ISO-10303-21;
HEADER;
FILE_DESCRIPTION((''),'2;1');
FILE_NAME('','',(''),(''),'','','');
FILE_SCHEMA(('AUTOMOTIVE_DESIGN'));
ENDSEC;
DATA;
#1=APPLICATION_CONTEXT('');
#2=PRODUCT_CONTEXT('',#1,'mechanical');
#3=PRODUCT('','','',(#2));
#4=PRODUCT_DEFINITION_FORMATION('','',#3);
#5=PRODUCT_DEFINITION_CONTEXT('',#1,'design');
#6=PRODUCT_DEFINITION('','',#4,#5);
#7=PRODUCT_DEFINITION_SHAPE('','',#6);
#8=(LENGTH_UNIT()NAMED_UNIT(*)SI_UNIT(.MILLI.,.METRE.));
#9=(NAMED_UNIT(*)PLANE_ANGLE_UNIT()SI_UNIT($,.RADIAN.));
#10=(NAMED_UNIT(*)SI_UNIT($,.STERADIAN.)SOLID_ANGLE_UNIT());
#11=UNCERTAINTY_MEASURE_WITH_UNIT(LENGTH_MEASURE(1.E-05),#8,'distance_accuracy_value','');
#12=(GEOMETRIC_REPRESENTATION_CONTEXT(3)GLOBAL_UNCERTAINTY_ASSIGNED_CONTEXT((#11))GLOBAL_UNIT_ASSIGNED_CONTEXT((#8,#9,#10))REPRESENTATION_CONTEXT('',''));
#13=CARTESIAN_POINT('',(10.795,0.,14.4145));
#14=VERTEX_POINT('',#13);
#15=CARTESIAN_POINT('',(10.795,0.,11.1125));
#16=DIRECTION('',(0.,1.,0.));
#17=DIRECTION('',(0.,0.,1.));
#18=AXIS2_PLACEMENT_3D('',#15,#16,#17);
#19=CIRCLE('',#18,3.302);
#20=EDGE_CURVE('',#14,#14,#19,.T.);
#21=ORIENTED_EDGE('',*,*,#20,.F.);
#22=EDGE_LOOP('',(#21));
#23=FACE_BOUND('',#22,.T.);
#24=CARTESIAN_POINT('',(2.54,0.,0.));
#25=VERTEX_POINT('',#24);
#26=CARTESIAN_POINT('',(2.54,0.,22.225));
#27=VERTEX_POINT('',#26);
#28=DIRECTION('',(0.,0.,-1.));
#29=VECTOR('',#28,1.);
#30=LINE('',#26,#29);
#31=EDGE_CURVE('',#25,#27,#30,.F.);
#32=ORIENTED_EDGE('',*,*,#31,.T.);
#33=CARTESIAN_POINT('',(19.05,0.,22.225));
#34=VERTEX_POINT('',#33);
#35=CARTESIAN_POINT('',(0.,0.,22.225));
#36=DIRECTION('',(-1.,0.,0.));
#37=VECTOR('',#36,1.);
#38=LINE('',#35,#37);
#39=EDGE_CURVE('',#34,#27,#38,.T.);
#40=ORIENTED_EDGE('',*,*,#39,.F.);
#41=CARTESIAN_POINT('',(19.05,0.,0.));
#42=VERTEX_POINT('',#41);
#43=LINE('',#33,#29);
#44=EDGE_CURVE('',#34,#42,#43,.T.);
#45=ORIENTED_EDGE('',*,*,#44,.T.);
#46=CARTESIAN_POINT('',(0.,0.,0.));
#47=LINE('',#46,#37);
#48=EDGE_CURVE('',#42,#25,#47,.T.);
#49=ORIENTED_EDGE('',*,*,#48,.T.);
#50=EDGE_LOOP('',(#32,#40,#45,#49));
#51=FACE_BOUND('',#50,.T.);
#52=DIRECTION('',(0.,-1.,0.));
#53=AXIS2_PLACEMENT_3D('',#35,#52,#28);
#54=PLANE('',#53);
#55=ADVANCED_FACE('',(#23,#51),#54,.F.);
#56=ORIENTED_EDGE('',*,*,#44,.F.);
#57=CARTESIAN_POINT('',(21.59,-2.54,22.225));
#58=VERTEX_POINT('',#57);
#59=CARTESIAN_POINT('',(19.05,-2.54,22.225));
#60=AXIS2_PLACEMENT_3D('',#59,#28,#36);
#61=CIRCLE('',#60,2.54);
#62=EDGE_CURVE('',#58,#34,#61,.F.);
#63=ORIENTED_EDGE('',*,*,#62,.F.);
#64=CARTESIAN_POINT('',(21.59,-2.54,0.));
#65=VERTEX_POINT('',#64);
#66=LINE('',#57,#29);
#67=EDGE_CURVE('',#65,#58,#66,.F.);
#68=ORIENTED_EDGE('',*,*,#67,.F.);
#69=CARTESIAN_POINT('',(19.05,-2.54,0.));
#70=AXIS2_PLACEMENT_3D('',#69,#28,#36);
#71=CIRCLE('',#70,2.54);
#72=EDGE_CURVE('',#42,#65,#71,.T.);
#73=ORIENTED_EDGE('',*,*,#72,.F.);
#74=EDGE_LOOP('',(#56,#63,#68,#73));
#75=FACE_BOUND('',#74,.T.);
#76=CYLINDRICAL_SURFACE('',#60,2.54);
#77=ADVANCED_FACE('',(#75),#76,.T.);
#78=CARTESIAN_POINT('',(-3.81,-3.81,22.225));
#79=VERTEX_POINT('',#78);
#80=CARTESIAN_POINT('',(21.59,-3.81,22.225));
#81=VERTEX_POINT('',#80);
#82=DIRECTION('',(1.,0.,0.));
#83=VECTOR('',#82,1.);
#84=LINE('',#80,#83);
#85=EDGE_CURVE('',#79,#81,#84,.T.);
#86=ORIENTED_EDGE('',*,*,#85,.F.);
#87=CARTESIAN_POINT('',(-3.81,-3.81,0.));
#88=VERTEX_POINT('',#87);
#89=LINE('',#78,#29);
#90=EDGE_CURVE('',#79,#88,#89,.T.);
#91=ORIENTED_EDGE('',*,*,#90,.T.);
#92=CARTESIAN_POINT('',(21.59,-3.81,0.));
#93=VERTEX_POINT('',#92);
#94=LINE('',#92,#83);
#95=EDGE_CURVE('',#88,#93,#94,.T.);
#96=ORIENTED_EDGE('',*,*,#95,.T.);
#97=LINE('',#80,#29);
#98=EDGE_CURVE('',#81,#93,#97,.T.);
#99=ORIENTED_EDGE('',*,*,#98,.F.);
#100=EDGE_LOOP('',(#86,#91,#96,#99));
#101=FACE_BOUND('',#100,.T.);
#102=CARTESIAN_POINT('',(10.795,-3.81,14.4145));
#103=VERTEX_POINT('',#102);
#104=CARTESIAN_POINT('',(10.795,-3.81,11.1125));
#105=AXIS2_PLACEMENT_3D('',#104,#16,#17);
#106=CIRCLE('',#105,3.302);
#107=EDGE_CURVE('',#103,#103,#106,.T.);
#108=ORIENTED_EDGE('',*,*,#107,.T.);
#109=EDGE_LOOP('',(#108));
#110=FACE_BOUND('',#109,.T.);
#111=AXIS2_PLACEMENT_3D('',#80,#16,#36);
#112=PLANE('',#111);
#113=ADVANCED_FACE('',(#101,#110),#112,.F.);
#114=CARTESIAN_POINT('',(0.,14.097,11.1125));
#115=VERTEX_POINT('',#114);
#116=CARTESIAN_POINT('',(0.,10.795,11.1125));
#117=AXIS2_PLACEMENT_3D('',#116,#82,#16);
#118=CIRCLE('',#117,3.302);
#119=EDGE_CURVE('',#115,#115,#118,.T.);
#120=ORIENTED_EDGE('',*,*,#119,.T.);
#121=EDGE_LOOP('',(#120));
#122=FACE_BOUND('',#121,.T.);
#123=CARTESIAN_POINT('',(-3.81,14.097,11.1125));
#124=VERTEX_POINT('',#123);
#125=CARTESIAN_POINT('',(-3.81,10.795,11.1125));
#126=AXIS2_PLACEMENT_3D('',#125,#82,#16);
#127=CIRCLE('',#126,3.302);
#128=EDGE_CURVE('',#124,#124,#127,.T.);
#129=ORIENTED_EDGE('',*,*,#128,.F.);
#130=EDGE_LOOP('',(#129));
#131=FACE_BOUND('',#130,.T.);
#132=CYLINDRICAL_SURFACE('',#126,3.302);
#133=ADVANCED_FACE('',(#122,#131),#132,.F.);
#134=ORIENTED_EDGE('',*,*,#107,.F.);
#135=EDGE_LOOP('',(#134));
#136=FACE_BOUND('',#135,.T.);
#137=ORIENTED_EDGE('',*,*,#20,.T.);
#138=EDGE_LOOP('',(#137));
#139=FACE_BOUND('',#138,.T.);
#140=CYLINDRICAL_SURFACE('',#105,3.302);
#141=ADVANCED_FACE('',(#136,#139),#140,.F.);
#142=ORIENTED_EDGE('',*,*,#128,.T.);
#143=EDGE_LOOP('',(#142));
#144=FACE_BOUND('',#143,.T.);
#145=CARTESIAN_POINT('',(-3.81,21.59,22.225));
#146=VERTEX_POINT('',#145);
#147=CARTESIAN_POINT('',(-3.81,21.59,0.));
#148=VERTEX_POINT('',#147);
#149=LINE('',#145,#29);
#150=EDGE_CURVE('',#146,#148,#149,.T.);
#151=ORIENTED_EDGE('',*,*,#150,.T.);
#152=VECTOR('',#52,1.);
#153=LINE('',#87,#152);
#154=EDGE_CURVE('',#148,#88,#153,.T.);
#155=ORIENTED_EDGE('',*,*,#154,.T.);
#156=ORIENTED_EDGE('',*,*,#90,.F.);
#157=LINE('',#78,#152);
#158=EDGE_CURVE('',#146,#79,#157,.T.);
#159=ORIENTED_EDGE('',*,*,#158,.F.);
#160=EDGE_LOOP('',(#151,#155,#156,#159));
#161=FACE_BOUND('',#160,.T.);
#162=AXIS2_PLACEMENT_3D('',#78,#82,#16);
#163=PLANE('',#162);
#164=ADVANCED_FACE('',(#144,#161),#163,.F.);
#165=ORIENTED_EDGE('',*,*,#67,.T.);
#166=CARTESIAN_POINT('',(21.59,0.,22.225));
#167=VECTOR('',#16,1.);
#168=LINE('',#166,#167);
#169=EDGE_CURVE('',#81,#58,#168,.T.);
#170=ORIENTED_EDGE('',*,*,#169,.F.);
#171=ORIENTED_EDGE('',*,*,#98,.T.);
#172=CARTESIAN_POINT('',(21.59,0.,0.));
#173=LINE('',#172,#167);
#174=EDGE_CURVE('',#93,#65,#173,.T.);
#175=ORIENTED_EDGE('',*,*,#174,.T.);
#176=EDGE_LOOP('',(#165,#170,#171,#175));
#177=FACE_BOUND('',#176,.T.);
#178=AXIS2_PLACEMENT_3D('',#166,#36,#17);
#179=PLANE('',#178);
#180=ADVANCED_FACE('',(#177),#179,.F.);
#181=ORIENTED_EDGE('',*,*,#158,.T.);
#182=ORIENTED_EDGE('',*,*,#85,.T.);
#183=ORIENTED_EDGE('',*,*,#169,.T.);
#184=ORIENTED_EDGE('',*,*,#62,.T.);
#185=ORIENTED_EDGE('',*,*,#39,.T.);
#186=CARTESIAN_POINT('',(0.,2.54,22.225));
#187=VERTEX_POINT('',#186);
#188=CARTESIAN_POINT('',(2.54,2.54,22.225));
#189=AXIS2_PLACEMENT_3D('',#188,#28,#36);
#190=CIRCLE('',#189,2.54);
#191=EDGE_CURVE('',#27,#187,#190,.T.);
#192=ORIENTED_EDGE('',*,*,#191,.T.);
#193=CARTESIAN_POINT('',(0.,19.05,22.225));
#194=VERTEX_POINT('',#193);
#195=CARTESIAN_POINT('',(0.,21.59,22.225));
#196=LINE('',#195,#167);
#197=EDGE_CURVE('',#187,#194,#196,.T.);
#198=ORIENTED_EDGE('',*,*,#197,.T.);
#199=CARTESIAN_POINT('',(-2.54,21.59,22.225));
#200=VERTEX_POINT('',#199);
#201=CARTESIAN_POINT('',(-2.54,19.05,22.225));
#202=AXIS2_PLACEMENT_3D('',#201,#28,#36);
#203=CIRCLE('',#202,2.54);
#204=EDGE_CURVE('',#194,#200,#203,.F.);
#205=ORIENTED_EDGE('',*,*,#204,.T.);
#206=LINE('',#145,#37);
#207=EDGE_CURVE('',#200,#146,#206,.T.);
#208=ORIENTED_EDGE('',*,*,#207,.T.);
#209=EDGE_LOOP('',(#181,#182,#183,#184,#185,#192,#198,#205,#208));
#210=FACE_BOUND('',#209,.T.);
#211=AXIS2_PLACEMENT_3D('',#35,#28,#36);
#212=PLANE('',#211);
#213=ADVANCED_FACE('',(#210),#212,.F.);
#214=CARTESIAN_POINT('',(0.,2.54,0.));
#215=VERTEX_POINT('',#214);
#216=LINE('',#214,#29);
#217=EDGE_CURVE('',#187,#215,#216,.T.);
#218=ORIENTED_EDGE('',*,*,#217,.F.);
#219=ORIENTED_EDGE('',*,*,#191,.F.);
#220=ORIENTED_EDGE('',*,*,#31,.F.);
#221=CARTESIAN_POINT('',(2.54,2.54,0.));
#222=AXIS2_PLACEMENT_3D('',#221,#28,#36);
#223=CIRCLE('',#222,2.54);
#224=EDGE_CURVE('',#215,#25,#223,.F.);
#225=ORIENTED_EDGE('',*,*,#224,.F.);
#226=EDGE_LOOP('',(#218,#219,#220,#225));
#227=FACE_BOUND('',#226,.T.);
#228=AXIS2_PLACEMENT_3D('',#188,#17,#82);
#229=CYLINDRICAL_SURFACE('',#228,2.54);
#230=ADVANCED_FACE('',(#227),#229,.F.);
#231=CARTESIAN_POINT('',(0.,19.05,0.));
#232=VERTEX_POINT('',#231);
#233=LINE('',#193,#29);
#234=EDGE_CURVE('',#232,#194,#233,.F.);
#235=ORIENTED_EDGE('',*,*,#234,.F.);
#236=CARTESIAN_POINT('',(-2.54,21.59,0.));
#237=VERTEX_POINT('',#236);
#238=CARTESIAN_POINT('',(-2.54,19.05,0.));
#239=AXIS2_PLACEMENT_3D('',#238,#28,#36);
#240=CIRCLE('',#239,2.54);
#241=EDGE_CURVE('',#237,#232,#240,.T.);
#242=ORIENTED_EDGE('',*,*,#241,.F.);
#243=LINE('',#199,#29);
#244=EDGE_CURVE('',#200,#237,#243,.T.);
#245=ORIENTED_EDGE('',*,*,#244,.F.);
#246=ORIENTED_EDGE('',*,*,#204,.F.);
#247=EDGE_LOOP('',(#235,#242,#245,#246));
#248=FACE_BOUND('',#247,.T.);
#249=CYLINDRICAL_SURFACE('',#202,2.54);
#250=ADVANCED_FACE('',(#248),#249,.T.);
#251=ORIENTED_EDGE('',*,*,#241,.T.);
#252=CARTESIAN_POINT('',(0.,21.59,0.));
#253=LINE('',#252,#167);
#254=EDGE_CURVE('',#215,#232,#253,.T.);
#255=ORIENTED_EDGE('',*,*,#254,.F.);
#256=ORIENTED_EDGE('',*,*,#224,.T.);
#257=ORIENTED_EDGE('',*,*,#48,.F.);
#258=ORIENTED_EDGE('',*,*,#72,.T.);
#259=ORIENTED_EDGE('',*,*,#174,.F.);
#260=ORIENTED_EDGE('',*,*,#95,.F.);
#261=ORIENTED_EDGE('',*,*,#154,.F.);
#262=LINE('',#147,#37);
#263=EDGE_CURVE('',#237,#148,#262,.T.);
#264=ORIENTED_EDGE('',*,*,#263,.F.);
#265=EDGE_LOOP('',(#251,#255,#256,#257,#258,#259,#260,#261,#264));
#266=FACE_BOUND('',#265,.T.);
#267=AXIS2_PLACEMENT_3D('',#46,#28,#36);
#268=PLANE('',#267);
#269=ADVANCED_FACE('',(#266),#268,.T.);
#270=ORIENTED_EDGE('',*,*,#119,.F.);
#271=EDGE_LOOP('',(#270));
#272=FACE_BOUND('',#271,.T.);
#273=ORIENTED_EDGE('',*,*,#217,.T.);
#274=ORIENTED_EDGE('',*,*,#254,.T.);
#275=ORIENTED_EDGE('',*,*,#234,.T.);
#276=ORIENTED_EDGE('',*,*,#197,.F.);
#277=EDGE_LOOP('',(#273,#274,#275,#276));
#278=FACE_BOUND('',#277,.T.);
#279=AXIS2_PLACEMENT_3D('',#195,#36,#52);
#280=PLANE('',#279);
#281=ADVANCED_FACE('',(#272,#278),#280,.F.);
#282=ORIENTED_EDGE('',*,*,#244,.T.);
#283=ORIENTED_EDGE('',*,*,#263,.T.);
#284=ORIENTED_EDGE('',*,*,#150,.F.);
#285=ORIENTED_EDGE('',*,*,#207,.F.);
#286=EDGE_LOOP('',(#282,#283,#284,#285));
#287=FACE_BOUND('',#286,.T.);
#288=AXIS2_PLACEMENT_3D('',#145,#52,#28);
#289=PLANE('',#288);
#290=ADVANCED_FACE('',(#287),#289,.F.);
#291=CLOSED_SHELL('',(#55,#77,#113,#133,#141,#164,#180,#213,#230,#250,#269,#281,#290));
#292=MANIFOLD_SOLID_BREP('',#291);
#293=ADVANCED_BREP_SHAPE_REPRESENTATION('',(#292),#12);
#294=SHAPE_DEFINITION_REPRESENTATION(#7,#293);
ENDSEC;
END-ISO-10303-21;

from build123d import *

# Parameters (mm, degrees)
BOSS_EXTRUDE1_DEPTH = 22.225
SKETCH2_R           = 3.302
CUT_EXTRUDE1_DEPTH  = 38.765153581
SKETCH3_R           = 3.302
CUT_EXTRUDE2_DEPTH  = 38.765153581
FILLET1_R           = 2.54


with BuildPart() as part:
    # Sketch1 → Boss-Extrude1 (new body)
    with BuildSketch(Plane.XY):
        Polygon((0, 21.59), (0, 0), (21.59, 0), (21.59, -3.81), (-3.81, -3.81), (-3.81, 21.59), align=None)
    extrude(amount=BOSS_EXTRUDE1_DEPTH)

    # Sketch2 → Cut-Extrude1 (cut, through all)
    with BuildSketch(Plane(origin=(0, 0, 0), x_dir=(1, 0, 0), z_dir=(0, 1, 0))):
        with Locations(Location((10.795, -11.1125, 0), (0, 0, 270))):
            Circle(SKETCH2_R)
    extrude(amount=-CUT_EXTRUDE1_DEPTH, mode=Mode.SUBTRACT)

    # Sketch3 → Cut-Extrude2 (cut, through all)
    with BuildSketch(Plane(origin=(0, 0, 0), x_dir=(0, 0, -1), z_dir=(1, 0, 0))):
        with Locations(Location((-11.1125, 10.795, 0), (0, 0, 90))):
            Circle(SKETCH3_R)
    extrude(amount=-CUT_EXTRUDE2_DEPTH, mode=Mode.SUBTRACT)

    # Fillet1
    fillet1_edges = [part.edges().sort_by_distance(p)[0] for p in [
        (0, 21.59, 11.1125),
        (0, 0, 11.1125),
        (21.59, 0, 11.1125),
    ]]
    fillet(fillet1_edges, radius=FILLET1_R)


solid = part.part
